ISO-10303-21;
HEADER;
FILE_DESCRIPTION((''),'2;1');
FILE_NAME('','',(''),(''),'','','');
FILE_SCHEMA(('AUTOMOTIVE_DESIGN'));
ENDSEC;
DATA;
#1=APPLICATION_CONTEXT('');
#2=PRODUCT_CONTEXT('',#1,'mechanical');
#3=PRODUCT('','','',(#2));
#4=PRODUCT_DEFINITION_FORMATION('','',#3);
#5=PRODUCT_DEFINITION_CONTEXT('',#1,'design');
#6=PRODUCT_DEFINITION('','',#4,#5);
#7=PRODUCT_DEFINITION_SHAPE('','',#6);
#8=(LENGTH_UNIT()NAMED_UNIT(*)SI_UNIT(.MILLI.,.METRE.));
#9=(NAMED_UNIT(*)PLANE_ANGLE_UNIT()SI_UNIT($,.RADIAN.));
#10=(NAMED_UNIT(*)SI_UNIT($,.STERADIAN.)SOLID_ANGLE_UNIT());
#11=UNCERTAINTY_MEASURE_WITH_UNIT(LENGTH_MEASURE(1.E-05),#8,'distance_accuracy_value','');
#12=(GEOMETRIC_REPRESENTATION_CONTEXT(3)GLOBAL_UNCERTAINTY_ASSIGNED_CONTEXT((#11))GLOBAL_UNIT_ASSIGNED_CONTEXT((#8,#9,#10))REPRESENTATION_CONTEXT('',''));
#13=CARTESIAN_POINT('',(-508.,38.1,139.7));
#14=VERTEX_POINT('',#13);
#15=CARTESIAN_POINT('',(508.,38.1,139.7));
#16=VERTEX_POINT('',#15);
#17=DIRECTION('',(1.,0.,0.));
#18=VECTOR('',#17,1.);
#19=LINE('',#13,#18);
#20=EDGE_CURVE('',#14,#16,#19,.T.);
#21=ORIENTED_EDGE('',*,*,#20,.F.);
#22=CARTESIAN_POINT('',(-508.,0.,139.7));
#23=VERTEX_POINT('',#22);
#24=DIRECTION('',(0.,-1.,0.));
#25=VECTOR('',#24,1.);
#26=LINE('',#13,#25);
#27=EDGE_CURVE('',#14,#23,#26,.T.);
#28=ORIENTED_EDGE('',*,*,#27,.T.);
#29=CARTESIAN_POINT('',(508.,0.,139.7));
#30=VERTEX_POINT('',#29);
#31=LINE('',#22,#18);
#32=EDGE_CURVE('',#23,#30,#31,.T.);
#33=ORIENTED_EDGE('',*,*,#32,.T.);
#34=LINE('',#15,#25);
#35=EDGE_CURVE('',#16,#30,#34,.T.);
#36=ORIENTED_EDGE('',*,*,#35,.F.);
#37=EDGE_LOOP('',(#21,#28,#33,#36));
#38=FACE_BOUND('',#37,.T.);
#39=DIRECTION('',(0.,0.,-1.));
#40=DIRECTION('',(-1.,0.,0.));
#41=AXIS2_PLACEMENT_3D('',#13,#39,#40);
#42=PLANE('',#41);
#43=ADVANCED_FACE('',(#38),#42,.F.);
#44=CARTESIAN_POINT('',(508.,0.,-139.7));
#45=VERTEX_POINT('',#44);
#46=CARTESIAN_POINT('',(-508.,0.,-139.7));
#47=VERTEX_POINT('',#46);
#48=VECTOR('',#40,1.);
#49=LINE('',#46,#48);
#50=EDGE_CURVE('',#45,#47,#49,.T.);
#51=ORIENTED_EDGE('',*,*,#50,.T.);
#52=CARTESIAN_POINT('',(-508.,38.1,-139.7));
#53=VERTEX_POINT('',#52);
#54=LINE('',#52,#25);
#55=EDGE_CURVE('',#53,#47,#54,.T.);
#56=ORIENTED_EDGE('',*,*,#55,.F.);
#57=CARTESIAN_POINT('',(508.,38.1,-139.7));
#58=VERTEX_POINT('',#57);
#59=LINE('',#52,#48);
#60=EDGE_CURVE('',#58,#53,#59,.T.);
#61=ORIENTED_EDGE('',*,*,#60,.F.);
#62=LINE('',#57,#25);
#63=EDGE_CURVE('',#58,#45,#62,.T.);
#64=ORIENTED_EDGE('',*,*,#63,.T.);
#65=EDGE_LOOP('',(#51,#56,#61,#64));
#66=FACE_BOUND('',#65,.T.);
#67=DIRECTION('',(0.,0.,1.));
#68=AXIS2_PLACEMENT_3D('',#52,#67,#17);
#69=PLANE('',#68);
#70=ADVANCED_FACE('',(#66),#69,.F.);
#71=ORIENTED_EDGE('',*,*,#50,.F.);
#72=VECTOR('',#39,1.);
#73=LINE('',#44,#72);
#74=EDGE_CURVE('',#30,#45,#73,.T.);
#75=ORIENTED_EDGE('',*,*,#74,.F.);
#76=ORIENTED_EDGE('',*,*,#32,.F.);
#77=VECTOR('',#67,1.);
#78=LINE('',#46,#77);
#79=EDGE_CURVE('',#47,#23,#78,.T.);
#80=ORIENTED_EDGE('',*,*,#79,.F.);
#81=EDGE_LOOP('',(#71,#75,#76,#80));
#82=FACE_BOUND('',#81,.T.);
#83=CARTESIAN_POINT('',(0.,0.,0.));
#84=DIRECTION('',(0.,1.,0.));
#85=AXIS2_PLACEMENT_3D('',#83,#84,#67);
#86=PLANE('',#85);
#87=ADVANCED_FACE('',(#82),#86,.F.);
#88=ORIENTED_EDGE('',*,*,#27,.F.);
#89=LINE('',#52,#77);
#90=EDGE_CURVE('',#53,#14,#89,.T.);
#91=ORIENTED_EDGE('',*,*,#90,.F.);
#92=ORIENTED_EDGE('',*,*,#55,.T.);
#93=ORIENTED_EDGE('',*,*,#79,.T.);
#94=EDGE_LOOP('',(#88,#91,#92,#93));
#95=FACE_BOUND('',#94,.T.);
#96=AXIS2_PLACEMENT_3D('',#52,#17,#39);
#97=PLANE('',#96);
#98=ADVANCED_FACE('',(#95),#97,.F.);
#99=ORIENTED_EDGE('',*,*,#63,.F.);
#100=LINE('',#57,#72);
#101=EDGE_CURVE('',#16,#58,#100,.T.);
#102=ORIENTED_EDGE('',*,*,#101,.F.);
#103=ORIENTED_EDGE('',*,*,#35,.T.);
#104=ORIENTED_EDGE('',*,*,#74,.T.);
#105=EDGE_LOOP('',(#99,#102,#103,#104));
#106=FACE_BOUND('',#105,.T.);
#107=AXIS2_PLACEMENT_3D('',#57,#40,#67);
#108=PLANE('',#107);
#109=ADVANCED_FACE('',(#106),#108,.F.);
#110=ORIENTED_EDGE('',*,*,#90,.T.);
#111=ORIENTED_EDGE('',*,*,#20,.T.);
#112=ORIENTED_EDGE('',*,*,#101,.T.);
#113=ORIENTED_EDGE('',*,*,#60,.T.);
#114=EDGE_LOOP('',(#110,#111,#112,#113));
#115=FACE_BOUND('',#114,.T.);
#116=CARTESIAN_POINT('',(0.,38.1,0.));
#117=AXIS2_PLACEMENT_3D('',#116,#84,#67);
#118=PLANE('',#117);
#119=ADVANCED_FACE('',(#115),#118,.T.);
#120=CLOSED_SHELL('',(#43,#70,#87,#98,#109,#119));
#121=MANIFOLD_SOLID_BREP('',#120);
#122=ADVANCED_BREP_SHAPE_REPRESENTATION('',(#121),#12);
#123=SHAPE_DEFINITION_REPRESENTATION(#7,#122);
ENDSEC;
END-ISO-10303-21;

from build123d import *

# Parameters (mm, degrees)
SKETCH2_W           = 1016
SKETCH2_H           = 279.4
BOSS_EXTRUDE1_DEPTH = 38.1


with BuildPart() as part:
    # Sketch2 → Boss-Extrude1 (new body)
    with BuildSketch(Plane(origin=(0, 0, 0), x_dir=(1, 0, 0), z_dir=(0, 1, 0))):
        Rectangle(SKETCH2_W, SKETCH2_H)
    extrude(amount=BOSS_EXTRUDE1_DEPTH)


solid = part.part
